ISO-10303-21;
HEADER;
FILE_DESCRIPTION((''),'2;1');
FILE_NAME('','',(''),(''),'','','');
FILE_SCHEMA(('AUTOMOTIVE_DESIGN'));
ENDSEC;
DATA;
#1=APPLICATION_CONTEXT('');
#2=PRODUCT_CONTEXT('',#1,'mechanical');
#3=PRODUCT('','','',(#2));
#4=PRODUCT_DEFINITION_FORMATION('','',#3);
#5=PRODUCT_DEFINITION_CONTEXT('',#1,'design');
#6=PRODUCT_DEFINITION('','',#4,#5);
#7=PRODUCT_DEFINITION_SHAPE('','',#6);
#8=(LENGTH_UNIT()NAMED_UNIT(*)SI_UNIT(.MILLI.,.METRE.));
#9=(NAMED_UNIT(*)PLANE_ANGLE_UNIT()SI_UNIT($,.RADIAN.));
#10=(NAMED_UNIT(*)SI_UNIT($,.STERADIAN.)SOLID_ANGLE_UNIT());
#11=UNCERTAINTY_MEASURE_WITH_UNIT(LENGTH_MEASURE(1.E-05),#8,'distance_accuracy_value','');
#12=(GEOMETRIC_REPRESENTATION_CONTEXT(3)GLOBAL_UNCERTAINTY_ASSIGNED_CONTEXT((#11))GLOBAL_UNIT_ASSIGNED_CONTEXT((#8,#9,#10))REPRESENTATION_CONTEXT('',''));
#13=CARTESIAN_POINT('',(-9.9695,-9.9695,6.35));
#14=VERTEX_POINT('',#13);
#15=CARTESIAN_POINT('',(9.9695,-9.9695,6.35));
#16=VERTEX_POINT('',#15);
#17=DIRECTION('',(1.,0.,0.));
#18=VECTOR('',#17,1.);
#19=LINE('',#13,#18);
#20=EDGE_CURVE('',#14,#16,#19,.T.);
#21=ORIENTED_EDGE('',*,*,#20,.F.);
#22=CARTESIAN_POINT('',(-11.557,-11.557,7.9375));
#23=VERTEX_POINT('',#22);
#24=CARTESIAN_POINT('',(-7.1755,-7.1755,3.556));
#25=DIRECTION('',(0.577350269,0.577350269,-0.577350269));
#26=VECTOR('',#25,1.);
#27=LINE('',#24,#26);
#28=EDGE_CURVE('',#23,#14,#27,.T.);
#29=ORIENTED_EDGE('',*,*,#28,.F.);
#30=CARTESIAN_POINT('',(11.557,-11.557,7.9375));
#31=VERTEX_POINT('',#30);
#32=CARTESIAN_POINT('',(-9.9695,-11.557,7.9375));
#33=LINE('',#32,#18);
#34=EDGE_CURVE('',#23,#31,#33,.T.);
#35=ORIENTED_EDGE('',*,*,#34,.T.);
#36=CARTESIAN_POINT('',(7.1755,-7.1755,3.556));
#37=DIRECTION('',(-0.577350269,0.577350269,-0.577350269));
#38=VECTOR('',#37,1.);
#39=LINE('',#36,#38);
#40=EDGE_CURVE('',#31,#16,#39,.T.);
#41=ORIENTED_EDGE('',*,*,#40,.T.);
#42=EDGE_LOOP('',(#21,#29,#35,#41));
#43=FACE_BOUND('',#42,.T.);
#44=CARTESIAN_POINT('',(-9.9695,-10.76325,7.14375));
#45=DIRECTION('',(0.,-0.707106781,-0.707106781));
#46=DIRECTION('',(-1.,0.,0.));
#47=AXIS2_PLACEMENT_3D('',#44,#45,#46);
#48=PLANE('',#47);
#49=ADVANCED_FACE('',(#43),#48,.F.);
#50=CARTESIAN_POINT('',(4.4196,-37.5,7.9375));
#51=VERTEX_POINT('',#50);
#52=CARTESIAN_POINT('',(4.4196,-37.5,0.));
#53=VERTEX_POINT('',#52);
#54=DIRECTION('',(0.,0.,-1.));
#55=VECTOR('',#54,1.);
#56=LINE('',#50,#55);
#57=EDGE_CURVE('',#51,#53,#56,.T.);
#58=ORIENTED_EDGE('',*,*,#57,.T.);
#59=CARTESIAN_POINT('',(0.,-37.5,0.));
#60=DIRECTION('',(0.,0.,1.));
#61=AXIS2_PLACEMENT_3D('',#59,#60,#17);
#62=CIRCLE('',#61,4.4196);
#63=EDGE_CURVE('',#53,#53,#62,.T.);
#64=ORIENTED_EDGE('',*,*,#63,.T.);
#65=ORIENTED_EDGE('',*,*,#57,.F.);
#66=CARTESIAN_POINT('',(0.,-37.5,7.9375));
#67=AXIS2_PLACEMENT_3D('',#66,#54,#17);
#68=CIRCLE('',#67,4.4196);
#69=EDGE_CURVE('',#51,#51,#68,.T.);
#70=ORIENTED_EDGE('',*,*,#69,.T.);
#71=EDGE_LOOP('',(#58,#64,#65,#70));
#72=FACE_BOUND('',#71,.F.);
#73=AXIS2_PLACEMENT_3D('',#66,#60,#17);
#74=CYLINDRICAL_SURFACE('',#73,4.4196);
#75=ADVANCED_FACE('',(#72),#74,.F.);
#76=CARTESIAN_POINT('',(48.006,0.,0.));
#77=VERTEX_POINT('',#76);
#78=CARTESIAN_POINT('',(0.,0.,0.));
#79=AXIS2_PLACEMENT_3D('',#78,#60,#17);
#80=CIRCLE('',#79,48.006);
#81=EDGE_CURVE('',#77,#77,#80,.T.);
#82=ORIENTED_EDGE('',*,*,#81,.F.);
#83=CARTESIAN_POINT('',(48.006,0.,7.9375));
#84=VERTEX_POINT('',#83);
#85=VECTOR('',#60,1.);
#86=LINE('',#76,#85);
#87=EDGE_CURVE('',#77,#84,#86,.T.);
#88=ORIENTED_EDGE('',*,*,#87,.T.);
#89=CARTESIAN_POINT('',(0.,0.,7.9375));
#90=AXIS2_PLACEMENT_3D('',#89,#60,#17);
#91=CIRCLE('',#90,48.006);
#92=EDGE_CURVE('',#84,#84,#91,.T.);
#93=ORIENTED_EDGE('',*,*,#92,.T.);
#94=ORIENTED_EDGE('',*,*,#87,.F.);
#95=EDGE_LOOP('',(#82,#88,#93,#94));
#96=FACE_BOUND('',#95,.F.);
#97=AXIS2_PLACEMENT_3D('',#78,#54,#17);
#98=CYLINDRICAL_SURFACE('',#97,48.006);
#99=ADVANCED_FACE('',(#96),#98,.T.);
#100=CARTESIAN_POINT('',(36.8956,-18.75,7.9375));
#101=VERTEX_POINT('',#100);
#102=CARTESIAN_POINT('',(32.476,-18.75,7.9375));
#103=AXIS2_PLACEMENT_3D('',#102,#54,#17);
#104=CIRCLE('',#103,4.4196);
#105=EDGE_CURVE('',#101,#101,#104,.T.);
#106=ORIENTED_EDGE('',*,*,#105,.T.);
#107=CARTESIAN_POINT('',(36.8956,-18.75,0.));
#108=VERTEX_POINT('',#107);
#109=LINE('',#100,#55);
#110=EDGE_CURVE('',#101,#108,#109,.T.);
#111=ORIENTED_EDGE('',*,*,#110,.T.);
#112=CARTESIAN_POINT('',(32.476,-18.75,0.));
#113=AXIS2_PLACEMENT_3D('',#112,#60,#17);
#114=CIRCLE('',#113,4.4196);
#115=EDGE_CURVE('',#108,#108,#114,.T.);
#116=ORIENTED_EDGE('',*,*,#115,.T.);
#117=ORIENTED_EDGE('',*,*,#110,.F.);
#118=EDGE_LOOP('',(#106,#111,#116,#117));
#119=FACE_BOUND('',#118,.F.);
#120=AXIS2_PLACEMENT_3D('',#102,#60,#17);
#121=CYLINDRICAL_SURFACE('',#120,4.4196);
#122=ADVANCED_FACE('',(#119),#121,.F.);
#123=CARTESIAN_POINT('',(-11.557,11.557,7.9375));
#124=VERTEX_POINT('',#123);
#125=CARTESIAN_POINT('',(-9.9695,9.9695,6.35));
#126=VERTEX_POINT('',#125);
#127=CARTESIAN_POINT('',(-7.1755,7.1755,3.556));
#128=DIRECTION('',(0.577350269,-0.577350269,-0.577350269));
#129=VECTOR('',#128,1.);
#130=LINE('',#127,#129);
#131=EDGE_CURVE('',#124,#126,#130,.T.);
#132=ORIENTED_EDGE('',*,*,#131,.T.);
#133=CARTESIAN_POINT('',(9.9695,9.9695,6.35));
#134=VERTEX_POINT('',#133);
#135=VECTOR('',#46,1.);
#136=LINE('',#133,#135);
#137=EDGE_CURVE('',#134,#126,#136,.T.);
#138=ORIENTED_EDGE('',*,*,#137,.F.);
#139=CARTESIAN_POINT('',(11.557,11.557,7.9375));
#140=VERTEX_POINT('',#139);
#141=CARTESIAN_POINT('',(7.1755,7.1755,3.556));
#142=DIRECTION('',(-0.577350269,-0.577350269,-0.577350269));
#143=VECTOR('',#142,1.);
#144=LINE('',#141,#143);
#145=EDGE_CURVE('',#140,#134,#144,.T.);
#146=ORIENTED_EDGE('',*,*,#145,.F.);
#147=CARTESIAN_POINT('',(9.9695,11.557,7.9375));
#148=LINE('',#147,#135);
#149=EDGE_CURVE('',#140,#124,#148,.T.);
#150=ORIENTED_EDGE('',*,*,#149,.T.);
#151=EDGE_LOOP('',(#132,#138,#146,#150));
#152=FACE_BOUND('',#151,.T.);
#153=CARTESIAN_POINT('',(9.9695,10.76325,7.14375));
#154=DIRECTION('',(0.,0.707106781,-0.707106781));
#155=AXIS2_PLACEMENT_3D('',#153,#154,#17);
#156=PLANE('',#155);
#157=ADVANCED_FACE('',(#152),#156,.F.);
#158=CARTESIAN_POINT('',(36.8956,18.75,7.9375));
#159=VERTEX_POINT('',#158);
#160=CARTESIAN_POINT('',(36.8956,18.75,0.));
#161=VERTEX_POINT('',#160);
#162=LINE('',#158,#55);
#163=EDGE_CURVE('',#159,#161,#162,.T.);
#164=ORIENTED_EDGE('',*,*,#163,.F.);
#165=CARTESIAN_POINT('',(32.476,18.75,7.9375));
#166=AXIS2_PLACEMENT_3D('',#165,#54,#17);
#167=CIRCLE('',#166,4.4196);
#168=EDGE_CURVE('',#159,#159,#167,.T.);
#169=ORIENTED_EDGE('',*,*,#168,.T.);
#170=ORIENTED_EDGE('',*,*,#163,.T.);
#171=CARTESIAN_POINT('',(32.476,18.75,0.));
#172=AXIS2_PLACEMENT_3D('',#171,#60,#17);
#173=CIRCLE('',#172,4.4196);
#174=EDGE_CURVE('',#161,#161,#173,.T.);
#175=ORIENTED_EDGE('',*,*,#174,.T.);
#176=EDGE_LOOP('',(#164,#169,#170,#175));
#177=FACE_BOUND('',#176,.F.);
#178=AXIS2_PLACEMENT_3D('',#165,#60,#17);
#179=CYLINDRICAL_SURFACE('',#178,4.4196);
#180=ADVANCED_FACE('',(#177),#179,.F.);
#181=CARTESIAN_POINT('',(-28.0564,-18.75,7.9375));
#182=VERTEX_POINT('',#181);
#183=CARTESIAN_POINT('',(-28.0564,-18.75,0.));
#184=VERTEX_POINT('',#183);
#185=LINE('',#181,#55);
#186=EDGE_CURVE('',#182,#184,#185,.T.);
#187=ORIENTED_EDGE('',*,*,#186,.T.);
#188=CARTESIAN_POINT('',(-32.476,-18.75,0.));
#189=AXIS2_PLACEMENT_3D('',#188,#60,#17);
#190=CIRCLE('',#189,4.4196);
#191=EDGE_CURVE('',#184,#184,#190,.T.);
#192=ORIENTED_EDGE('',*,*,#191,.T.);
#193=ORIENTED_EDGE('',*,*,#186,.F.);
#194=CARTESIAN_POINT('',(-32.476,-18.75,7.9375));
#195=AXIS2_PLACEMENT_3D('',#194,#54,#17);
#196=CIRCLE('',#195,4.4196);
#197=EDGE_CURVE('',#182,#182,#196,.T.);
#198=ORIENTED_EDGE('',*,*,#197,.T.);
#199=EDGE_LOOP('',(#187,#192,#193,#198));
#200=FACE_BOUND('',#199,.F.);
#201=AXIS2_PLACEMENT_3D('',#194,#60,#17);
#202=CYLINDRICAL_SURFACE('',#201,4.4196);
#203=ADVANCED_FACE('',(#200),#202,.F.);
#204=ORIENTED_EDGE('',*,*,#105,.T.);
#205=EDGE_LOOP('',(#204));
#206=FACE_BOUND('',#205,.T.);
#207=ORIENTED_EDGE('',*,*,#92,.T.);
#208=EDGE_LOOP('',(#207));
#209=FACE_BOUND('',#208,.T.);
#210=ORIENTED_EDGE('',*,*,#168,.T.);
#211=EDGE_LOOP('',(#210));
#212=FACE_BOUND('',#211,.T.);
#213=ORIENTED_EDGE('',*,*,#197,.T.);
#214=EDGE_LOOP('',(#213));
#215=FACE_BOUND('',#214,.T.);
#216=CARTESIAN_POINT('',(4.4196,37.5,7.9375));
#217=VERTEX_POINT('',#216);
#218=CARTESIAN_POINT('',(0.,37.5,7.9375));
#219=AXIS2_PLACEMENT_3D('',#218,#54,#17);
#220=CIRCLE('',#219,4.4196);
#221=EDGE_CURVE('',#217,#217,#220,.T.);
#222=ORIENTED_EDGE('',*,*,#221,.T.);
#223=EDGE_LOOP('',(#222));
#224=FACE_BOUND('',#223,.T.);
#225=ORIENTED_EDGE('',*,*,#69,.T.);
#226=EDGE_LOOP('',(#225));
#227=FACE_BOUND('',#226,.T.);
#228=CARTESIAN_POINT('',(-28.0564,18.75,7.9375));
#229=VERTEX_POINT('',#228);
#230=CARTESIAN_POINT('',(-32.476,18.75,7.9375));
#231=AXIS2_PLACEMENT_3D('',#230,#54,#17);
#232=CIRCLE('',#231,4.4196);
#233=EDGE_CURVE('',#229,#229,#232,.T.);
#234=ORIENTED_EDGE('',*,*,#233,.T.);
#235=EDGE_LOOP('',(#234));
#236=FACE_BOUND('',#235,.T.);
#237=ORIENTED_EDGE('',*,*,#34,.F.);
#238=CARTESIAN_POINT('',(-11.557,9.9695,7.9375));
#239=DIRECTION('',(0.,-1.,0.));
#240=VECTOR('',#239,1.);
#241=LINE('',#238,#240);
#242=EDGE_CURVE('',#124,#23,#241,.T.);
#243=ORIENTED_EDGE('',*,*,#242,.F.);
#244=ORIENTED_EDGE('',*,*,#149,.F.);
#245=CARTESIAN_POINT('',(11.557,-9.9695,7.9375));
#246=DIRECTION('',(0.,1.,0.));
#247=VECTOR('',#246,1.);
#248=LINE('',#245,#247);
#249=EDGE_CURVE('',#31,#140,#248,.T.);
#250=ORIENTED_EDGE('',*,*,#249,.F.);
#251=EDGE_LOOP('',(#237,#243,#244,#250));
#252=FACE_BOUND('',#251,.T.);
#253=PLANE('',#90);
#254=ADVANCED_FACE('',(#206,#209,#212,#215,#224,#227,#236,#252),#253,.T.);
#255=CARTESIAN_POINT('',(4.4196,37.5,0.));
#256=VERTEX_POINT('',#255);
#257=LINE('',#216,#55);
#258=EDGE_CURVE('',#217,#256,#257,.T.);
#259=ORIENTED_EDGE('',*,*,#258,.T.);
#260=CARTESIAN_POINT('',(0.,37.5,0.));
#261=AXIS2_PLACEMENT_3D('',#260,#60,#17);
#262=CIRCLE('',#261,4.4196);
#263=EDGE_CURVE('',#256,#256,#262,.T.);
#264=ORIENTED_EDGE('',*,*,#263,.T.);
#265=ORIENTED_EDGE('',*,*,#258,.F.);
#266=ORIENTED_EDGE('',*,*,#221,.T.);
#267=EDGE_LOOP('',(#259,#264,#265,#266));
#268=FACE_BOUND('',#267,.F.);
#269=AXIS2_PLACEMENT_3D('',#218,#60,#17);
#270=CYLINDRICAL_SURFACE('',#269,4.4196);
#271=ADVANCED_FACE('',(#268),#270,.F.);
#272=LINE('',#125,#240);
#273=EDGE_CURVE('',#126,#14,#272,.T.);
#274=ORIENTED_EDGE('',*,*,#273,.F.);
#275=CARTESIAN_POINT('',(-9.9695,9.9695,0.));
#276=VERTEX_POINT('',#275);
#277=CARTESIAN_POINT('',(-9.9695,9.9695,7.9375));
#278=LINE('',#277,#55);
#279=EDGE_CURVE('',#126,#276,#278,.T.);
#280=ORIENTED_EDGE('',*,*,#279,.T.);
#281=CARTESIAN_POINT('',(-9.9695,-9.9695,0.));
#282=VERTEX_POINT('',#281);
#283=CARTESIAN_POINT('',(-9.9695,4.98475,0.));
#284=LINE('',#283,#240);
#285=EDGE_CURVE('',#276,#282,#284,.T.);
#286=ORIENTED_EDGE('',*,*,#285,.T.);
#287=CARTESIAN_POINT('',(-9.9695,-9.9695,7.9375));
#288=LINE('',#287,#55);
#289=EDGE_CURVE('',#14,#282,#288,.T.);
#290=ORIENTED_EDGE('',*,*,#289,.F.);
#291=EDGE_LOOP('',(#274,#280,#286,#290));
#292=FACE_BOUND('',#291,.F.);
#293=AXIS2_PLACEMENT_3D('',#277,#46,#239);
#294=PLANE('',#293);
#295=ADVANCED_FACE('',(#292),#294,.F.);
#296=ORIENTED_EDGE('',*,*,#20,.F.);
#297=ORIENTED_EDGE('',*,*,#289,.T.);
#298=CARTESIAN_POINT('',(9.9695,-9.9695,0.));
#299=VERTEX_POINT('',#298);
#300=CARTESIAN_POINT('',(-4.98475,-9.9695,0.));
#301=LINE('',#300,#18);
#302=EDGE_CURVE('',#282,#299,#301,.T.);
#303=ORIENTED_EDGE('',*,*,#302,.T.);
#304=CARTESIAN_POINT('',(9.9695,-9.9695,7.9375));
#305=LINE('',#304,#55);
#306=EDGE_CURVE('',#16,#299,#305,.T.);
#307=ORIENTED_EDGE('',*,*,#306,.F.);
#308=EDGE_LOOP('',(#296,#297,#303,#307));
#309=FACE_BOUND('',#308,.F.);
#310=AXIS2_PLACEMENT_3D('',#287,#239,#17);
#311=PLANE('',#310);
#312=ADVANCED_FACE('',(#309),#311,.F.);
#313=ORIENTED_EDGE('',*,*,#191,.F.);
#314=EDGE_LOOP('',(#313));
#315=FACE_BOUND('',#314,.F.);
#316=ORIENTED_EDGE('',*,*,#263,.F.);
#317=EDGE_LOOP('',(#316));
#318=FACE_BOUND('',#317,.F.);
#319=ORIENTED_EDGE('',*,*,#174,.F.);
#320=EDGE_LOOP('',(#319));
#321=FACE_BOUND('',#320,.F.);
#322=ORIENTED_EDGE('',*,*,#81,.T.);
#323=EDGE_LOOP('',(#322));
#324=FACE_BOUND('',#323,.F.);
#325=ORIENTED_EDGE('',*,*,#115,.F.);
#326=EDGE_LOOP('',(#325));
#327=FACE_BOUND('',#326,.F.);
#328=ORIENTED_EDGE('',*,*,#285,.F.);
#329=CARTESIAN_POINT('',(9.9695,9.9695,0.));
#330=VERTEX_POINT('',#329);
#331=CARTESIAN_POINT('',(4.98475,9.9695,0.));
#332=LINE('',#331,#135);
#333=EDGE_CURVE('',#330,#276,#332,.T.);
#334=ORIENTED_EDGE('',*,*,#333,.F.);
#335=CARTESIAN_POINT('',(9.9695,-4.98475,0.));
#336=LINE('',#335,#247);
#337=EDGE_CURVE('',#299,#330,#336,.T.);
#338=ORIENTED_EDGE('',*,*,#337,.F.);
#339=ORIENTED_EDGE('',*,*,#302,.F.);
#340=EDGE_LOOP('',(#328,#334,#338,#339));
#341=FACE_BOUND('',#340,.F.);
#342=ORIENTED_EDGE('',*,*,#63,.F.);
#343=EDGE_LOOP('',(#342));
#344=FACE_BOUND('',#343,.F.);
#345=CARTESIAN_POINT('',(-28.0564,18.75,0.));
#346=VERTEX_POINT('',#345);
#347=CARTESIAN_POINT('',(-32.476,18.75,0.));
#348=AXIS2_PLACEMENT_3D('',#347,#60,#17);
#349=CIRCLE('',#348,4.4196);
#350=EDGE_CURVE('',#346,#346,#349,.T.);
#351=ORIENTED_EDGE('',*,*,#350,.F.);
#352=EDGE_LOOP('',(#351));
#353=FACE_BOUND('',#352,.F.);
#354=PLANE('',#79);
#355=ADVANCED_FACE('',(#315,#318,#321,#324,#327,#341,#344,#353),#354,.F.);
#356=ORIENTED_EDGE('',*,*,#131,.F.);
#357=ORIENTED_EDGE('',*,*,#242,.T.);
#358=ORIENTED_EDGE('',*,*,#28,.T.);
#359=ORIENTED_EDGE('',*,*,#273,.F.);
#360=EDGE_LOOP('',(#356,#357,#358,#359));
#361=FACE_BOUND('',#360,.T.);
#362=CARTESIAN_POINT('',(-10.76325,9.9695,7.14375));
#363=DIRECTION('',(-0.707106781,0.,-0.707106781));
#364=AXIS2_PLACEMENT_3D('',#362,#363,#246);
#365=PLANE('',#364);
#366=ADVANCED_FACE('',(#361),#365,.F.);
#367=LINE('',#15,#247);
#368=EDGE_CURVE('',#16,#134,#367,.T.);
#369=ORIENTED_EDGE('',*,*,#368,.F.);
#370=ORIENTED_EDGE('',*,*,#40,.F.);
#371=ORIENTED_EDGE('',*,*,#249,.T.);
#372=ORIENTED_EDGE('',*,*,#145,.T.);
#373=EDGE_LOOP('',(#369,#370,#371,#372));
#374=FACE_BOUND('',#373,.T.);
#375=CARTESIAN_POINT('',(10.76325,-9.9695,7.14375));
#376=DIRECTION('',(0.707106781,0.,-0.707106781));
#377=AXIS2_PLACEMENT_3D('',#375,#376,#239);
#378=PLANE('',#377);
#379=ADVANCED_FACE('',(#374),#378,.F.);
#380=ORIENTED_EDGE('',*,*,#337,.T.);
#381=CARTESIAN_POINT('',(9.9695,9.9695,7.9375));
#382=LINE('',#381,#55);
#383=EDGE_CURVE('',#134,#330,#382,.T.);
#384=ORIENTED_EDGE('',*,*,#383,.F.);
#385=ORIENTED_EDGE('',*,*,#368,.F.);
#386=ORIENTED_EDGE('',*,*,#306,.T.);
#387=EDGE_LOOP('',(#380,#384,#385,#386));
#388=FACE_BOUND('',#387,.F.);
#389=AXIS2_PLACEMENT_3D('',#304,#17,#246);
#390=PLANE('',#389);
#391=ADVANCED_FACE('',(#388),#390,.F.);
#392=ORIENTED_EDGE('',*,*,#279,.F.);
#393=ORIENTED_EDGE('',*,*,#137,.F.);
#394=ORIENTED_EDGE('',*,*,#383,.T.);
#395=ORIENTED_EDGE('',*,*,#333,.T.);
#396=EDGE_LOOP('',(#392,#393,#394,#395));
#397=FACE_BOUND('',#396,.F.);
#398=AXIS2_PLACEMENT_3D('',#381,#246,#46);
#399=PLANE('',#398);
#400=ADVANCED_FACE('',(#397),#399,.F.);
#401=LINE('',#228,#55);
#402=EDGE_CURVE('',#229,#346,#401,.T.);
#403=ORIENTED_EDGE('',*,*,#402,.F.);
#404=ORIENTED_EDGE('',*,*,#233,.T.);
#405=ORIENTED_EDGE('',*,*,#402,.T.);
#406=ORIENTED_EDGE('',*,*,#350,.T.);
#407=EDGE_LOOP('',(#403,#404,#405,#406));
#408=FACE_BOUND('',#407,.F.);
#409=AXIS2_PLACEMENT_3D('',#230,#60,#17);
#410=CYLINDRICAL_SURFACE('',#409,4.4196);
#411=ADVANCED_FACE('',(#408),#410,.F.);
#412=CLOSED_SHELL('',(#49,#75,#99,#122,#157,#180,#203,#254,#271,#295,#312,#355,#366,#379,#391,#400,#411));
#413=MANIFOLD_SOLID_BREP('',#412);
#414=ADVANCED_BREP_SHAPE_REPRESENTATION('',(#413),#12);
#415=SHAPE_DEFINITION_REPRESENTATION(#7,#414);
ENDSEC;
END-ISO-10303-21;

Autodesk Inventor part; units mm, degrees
ref_plane "YZ Plane" through (0, 0, 0) normal (1, 0, 0) x (0, 1, 0)
ref_plane "XZ Plane" through (0, 0, 0) normal (0, 1, 0) x (-1, 0, 0)
ref_plane "XY Plane" through (0, 0, 0) normal (0, 0, 1) x (1, 0, 0)
sketch "Sketch1" plane through (0, 0, 0) normal (0, 0, 1) x (1, 0, 0)
  circle A0 centre (0, 0) radius 48.006
  dimension "d0" = 96.012
extrude "Extrusion1" add sketch "Sketch1" along normal blind 7.9375
sketch "Sketch2" plane through (0, 0, 7.9375) normal (0, 0, 1) x (1, 0, 0)
  circle A0 centre (0, 37.5) radius 4.4196
  circle A1 centre (-32.476, 18.75) radius 4.4196
  circle A2 centre (-32.476, -18.75) radius 4.4196
  circle A3 centre (0, -37.5) radius 4.4196
  circle A4 centre (32.476, -18.75) radius 4.4196
  circle A5 centre (32.476, 18.75) radius 4.4196
  circle A6 centre (0, 0) radius 37.5
  dimension "d17" = 75
  dimension "d3" = 8.8392
  dimension "d7" = 360
extrude "Extrusion2" cut sketch "Sketch2" against normal through all contours A0 A6 | A6 A0 | A6 A1 | A1 A6 | A6 A5 | A5 A6 | A6 A2 | A2 A6 | A6 A4 | A4 A6 | A6 A3 | A3 A6
sketch "Sketch3" plane through (0, 0, 7.9375) normal (0, 0, 1) x (1, 0, 0)
  line L0 (-9.9695, -9.9695) -> (9.9695, -9.9695)
  line L1 (9.9695, -9.9695) -> (9.9695, 9.9695)
  line L2 (9.9695, 9.9695) -> (-9.9695, 9.9695)
  line L3 (-9.9695, 9.9695) -> (-9.9695, -9.9695)
  line L4 (-9.9695, -9.9695) -> (9.9695, 9.9695) construction
  line L5 (9.9695, -9.9695) -> (-9.9695, 9.9695) construction
  point P0 (0, 0)
  dimension "d11" = 19.939
extrude "Extrusion3" cut sketch "Sketch3" against normal through all
chamfer "Chamfer1" distance 1.5875 angle 45 4 edges at (0, 9.9695, 7.9375) (-9.9695, 0, 7.9375) (0, -9.9695, 7.9375) (9.9695, 0, 7.9375)
properties part number "Adam's Shaft plate rev 2"
